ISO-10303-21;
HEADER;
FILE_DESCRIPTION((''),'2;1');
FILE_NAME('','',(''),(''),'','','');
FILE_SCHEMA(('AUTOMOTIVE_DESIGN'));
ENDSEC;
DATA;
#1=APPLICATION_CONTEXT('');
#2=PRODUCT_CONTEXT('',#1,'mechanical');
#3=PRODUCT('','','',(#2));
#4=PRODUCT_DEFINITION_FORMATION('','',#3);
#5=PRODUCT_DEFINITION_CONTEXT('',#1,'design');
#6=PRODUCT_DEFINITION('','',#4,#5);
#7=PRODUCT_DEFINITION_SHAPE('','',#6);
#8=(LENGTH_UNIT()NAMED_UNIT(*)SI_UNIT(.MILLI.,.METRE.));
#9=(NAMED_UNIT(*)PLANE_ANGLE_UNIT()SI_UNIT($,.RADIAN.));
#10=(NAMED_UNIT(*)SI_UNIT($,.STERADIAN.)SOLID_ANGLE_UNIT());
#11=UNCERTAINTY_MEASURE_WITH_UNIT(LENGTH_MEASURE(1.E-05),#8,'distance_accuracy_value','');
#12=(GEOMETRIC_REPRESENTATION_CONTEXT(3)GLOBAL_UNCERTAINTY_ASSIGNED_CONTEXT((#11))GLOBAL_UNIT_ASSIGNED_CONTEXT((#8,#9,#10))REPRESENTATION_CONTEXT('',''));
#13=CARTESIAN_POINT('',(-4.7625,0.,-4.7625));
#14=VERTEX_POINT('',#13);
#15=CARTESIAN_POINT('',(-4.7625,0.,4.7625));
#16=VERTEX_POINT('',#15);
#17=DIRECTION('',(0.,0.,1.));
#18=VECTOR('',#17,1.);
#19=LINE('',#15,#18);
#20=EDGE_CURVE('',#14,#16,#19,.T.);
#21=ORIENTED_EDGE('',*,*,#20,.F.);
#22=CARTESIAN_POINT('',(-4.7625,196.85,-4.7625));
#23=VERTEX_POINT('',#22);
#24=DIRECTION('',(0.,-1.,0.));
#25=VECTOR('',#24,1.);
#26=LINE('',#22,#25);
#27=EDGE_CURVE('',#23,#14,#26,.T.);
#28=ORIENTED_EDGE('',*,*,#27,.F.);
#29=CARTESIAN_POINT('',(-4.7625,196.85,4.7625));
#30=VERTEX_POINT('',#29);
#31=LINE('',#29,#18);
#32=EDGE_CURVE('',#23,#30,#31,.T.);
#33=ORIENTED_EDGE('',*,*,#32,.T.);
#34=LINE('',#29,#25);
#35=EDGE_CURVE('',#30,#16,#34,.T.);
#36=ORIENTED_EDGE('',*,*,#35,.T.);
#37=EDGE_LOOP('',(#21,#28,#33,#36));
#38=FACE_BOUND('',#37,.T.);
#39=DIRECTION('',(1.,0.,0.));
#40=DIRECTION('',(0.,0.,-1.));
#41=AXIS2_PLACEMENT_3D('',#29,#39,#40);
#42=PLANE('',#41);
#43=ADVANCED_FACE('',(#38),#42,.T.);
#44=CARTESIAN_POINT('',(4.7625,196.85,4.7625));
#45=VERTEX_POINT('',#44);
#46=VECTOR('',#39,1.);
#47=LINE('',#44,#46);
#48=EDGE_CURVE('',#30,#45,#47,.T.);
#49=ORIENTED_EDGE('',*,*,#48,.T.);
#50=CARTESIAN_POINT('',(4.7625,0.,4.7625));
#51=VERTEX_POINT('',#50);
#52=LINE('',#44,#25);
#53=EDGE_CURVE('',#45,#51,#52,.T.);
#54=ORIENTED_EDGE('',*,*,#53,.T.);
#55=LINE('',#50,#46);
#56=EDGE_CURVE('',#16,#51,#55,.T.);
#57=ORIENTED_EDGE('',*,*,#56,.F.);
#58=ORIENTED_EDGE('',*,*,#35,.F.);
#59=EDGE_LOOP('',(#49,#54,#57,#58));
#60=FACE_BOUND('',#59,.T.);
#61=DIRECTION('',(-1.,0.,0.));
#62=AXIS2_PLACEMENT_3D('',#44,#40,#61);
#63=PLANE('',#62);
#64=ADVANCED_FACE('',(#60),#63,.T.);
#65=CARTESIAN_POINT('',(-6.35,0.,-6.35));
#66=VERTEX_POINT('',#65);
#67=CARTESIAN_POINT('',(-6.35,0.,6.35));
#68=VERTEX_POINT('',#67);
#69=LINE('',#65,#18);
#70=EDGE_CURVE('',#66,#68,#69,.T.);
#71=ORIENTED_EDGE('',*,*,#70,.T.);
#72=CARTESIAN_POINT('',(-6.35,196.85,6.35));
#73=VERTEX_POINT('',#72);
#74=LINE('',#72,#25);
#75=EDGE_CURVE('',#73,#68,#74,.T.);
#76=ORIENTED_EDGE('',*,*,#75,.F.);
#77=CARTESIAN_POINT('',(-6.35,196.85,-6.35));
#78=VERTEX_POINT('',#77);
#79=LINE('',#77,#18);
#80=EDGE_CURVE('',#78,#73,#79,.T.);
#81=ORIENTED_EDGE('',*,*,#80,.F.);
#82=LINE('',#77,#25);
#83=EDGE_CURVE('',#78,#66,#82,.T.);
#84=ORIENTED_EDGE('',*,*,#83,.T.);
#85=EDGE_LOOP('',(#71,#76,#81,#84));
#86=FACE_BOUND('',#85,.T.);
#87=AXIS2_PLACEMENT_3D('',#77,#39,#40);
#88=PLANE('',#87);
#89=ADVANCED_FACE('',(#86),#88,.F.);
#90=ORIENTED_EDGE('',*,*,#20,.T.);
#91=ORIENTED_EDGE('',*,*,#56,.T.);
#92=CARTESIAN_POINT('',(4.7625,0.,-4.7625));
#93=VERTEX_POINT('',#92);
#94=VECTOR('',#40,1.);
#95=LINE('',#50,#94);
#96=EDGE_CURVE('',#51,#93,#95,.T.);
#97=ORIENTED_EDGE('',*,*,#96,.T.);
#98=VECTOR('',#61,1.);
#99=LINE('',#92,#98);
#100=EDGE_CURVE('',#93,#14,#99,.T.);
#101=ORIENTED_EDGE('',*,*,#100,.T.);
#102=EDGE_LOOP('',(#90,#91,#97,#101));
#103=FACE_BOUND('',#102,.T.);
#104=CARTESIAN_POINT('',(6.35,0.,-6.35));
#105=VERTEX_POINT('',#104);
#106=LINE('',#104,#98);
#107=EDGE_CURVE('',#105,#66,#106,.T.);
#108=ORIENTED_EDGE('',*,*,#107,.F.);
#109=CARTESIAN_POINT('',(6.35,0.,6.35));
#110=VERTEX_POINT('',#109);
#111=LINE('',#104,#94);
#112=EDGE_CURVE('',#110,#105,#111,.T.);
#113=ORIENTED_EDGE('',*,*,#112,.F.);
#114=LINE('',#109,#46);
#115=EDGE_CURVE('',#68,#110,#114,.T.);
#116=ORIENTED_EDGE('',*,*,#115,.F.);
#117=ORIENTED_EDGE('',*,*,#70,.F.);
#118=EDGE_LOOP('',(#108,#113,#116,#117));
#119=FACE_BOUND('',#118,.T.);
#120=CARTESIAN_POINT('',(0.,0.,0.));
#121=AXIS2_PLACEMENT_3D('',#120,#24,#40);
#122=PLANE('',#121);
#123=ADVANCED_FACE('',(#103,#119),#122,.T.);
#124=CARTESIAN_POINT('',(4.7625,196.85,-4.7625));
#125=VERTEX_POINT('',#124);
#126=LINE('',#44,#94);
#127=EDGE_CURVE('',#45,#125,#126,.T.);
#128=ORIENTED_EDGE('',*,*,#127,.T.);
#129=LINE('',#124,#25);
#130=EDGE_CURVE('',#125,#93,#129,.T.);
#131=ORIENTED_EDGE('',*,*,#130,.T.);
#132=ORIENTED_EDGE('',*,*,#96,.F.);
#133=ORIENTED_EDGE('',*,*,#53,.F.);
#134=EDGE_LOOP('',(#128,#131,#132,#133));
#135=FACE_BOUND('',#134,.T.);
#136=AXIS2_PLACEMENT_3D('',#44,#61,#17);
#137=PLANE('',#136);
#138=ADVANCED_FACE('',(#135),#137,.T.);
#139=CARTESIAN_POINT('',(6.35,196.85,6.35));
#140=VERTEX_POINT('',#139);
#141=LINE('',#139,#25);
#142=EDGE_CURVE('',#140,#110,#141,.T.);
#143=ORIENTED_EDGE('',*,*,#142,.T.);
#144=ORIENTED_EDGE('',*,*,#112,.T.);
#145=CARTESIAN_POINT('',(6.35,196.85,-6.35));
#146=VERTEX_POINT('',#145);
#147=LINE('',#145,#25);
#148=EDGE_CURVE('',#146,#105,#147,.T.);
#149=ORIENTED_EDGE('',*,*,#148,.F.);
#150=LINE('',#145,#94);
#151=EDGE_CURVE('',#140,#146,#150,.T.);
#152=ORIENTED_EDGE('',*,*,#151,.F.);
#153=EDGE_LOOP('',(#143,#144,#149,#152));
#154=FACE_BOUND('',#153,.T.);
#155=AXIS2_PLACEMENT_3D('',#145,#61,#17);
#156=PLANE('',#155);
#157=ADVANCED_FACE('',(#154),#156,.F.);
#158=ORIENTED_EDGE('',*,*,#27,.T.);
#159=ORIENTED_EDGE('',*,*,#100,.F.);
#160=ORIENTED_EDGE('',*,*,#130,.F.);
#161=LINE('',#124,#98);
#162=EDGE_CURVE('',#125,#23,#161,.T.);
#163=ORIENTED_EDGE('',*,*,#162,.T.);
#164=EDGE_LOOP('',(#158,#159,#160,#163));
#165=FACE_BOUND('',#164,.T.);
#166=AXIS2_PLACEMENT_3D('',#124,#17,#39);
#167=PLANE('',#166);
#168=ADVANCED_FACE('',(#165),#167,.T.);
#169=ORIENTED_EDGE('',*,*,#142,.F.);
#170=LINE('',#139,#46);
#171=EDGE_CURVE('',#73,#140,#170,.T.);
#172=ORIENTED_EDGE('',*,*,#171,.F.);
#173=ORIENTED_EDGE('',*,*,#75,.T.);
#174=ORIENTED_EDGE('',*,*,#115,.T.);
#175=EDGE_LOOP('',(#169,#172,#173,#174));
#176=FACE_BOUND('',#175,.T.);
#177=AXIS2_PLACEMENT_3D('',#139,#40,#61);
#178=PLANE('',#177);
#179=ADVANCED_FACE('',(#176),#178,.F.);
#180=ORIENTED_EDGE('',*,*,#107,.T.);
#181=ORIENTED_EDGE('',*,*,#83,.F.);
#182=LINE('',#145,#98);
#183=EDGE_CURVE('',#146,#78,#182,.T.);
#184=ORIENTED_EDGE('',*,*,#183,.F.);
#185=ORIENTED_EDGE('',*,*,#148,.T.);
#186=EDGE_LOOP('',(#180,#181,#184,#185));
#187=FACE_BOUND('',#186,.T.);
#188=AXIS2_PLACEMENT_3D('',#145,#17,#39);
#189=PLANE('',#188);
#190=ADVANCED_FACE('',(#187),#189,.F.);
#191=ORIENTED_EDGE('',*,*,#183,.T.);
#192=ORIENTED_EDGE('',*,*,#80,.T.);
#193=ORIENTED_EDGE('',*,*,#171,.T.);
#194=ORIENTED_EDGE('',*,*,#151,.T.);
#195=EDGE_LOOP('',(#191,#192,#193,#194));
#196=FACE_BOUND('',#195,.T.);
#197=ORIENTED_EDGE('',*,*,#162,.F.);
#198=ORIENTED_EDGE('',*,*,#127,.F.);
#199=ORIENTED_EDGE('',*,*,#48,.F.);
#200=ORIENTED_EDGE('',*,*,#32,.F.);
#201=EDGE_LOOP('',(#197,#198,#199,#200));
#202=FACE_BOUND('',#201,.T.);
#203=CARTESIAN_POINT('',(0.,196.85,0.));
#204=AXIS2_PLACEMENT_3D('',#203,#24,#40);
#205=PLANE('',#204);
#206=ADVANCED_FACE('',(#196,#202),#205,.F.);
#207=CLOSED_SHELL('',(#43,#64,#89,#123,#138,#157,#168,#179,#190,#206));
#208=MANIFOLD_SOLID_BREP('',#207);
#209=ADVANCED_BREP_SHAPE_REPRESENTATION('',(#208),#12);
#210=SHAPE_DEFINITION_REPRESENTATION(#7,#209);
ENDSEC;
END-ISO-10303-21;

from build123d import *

# Parameters (mm, degrees)
SKETCH1_W           = 12.7
SKETCH1_H           = 12.7
SKETCH1_W_2         = 9.525
SKETCH1_H_2         = 9.525
BOSS_EXTRUDE1_DEPTH = 196.85


with BuildPart() as part:
    # Sketch1 → Boss-Extrude1 (new body)
    with BuildSketch(Plane(origin=(0, 0, 0), x_dir=(1, 0, 0), z_dir=(0, 1, 0))):
        Rectangle(SKETCH1_W, SKETCH1_H)
        Rectangle(SKETCH1_W_2, SKETCH1_H_2, mode=Mode.SUBTRACT)
    extrude(amount=BOSS_EXTRUDE1_DEPTH)


solid = part.part
